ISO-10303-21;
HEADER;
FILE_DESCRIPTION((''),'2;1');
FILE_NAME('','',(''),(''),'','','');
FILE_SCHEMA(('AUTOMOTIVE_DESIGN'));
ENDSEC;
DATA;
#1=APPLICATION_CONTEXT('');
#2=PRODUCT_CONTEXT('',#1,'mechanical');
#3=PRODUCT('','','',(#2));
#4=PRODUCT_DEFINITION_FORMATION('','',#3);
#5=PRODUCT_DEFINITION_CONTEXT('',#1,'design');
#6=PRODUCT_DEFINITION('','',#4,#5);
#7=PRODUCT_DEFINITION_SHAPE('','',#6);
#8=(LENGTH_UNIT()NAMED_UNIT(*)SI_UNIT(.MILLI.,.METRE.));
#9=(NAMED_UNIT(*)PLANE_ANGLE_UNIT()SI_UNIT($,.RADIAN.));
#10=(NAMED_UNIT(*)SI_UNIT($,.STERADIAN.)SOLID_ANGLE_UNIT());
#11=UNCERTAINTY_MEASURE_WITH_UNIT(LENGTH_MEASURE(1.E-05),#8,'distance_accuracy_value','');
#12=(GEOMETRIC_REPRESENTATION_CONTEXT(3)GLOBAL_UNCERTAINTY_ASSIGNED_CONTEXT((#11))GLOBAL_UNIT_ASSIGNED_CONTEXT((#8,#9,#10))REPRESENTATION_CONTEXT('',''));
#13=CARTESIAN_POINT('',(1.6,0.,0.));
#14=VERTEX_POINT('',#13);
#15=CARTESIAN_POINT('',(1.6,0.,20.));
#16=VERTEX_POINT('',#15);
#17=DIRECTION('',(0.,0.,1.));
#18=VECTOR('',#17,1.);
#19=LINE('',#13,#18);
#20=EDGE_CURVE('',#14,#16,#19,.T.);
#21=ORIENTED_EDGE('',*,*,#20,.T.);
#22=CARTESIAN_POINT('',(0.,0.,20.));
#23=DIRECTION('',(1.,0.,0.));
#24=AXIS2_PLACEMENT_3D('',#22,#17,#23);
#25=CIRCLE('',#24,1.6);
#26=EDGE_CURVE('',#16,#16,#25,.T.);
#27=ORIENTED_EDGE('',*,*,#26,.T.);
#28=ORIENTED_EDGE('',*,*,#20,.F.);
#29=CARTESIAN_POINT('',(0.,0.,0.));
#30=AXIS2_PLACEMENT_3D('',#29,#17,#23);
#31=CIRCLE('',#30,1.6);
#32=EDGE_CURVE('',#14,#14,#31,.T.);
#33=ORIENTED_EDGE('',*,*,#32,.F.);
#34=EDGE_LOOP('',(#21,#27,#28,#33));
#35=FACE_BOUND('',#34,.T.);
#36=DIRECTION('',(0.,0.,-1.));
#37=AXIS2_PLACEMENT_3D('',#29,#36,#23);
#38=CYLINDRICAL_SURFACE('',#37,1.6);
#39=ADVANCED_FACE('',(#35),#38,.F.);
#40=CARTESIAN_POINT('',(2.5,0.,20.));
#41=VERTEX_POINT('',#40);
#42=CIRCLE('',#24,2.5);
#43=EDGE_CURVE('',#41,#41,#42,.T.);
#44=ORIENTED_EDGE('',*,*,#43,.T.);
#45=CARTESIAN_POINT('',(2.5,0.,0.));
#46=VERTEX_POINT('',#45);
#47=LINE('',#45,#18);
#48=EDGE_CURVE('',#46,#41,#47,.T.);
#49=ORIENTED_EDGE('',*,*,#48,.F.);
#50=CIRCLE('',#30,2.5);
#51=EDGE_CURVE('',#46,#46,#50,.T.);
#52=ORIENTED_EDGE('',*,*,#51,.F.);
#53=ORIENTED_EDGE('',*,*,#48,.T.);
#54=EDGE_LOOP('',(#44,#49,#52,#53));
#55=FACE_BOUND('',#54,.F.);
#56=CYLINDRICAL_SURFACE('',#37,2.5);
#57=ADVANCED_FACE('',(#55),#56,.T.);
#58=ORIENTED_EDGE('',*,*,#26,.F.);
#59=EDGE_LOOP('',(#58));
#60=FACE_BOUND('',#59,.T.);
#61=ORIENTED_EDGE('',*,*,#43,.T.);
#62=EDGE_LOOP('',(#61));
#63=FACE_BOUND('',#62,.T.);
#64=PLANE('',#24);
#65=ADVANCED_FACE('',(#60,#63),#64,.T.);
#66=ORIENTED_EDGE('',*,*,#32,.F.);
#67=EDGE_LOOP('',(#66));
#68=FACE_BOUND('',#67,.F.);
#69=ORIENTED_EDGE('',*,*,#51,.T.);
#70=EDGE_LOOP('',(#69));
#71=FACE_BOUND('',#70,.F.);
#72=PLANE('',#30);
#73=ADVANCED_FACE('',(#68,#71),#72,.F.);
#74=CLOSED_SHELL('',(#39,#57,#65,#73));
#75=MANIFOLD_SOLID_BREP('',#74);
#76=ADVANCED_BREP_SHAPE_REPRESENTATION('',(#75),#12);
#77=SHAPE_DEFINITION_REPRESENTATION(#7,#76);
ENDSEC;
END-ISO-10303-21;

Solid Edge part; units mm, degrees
sketch "Sketch1" plane through (0, 0, 0) normal (0, 0, 1) x (1, 0, 0)
  circle A0 centre (0, 0) radius 2.5
  circle A1 centre (0, 0) radius 1.6
  dimension "D1" = 5
  dimension "D2" = 3.2
extrude "ExtrudedProtrusion_1" add sketch "Sketch1" along normal blind 20
properties material "ABS"
